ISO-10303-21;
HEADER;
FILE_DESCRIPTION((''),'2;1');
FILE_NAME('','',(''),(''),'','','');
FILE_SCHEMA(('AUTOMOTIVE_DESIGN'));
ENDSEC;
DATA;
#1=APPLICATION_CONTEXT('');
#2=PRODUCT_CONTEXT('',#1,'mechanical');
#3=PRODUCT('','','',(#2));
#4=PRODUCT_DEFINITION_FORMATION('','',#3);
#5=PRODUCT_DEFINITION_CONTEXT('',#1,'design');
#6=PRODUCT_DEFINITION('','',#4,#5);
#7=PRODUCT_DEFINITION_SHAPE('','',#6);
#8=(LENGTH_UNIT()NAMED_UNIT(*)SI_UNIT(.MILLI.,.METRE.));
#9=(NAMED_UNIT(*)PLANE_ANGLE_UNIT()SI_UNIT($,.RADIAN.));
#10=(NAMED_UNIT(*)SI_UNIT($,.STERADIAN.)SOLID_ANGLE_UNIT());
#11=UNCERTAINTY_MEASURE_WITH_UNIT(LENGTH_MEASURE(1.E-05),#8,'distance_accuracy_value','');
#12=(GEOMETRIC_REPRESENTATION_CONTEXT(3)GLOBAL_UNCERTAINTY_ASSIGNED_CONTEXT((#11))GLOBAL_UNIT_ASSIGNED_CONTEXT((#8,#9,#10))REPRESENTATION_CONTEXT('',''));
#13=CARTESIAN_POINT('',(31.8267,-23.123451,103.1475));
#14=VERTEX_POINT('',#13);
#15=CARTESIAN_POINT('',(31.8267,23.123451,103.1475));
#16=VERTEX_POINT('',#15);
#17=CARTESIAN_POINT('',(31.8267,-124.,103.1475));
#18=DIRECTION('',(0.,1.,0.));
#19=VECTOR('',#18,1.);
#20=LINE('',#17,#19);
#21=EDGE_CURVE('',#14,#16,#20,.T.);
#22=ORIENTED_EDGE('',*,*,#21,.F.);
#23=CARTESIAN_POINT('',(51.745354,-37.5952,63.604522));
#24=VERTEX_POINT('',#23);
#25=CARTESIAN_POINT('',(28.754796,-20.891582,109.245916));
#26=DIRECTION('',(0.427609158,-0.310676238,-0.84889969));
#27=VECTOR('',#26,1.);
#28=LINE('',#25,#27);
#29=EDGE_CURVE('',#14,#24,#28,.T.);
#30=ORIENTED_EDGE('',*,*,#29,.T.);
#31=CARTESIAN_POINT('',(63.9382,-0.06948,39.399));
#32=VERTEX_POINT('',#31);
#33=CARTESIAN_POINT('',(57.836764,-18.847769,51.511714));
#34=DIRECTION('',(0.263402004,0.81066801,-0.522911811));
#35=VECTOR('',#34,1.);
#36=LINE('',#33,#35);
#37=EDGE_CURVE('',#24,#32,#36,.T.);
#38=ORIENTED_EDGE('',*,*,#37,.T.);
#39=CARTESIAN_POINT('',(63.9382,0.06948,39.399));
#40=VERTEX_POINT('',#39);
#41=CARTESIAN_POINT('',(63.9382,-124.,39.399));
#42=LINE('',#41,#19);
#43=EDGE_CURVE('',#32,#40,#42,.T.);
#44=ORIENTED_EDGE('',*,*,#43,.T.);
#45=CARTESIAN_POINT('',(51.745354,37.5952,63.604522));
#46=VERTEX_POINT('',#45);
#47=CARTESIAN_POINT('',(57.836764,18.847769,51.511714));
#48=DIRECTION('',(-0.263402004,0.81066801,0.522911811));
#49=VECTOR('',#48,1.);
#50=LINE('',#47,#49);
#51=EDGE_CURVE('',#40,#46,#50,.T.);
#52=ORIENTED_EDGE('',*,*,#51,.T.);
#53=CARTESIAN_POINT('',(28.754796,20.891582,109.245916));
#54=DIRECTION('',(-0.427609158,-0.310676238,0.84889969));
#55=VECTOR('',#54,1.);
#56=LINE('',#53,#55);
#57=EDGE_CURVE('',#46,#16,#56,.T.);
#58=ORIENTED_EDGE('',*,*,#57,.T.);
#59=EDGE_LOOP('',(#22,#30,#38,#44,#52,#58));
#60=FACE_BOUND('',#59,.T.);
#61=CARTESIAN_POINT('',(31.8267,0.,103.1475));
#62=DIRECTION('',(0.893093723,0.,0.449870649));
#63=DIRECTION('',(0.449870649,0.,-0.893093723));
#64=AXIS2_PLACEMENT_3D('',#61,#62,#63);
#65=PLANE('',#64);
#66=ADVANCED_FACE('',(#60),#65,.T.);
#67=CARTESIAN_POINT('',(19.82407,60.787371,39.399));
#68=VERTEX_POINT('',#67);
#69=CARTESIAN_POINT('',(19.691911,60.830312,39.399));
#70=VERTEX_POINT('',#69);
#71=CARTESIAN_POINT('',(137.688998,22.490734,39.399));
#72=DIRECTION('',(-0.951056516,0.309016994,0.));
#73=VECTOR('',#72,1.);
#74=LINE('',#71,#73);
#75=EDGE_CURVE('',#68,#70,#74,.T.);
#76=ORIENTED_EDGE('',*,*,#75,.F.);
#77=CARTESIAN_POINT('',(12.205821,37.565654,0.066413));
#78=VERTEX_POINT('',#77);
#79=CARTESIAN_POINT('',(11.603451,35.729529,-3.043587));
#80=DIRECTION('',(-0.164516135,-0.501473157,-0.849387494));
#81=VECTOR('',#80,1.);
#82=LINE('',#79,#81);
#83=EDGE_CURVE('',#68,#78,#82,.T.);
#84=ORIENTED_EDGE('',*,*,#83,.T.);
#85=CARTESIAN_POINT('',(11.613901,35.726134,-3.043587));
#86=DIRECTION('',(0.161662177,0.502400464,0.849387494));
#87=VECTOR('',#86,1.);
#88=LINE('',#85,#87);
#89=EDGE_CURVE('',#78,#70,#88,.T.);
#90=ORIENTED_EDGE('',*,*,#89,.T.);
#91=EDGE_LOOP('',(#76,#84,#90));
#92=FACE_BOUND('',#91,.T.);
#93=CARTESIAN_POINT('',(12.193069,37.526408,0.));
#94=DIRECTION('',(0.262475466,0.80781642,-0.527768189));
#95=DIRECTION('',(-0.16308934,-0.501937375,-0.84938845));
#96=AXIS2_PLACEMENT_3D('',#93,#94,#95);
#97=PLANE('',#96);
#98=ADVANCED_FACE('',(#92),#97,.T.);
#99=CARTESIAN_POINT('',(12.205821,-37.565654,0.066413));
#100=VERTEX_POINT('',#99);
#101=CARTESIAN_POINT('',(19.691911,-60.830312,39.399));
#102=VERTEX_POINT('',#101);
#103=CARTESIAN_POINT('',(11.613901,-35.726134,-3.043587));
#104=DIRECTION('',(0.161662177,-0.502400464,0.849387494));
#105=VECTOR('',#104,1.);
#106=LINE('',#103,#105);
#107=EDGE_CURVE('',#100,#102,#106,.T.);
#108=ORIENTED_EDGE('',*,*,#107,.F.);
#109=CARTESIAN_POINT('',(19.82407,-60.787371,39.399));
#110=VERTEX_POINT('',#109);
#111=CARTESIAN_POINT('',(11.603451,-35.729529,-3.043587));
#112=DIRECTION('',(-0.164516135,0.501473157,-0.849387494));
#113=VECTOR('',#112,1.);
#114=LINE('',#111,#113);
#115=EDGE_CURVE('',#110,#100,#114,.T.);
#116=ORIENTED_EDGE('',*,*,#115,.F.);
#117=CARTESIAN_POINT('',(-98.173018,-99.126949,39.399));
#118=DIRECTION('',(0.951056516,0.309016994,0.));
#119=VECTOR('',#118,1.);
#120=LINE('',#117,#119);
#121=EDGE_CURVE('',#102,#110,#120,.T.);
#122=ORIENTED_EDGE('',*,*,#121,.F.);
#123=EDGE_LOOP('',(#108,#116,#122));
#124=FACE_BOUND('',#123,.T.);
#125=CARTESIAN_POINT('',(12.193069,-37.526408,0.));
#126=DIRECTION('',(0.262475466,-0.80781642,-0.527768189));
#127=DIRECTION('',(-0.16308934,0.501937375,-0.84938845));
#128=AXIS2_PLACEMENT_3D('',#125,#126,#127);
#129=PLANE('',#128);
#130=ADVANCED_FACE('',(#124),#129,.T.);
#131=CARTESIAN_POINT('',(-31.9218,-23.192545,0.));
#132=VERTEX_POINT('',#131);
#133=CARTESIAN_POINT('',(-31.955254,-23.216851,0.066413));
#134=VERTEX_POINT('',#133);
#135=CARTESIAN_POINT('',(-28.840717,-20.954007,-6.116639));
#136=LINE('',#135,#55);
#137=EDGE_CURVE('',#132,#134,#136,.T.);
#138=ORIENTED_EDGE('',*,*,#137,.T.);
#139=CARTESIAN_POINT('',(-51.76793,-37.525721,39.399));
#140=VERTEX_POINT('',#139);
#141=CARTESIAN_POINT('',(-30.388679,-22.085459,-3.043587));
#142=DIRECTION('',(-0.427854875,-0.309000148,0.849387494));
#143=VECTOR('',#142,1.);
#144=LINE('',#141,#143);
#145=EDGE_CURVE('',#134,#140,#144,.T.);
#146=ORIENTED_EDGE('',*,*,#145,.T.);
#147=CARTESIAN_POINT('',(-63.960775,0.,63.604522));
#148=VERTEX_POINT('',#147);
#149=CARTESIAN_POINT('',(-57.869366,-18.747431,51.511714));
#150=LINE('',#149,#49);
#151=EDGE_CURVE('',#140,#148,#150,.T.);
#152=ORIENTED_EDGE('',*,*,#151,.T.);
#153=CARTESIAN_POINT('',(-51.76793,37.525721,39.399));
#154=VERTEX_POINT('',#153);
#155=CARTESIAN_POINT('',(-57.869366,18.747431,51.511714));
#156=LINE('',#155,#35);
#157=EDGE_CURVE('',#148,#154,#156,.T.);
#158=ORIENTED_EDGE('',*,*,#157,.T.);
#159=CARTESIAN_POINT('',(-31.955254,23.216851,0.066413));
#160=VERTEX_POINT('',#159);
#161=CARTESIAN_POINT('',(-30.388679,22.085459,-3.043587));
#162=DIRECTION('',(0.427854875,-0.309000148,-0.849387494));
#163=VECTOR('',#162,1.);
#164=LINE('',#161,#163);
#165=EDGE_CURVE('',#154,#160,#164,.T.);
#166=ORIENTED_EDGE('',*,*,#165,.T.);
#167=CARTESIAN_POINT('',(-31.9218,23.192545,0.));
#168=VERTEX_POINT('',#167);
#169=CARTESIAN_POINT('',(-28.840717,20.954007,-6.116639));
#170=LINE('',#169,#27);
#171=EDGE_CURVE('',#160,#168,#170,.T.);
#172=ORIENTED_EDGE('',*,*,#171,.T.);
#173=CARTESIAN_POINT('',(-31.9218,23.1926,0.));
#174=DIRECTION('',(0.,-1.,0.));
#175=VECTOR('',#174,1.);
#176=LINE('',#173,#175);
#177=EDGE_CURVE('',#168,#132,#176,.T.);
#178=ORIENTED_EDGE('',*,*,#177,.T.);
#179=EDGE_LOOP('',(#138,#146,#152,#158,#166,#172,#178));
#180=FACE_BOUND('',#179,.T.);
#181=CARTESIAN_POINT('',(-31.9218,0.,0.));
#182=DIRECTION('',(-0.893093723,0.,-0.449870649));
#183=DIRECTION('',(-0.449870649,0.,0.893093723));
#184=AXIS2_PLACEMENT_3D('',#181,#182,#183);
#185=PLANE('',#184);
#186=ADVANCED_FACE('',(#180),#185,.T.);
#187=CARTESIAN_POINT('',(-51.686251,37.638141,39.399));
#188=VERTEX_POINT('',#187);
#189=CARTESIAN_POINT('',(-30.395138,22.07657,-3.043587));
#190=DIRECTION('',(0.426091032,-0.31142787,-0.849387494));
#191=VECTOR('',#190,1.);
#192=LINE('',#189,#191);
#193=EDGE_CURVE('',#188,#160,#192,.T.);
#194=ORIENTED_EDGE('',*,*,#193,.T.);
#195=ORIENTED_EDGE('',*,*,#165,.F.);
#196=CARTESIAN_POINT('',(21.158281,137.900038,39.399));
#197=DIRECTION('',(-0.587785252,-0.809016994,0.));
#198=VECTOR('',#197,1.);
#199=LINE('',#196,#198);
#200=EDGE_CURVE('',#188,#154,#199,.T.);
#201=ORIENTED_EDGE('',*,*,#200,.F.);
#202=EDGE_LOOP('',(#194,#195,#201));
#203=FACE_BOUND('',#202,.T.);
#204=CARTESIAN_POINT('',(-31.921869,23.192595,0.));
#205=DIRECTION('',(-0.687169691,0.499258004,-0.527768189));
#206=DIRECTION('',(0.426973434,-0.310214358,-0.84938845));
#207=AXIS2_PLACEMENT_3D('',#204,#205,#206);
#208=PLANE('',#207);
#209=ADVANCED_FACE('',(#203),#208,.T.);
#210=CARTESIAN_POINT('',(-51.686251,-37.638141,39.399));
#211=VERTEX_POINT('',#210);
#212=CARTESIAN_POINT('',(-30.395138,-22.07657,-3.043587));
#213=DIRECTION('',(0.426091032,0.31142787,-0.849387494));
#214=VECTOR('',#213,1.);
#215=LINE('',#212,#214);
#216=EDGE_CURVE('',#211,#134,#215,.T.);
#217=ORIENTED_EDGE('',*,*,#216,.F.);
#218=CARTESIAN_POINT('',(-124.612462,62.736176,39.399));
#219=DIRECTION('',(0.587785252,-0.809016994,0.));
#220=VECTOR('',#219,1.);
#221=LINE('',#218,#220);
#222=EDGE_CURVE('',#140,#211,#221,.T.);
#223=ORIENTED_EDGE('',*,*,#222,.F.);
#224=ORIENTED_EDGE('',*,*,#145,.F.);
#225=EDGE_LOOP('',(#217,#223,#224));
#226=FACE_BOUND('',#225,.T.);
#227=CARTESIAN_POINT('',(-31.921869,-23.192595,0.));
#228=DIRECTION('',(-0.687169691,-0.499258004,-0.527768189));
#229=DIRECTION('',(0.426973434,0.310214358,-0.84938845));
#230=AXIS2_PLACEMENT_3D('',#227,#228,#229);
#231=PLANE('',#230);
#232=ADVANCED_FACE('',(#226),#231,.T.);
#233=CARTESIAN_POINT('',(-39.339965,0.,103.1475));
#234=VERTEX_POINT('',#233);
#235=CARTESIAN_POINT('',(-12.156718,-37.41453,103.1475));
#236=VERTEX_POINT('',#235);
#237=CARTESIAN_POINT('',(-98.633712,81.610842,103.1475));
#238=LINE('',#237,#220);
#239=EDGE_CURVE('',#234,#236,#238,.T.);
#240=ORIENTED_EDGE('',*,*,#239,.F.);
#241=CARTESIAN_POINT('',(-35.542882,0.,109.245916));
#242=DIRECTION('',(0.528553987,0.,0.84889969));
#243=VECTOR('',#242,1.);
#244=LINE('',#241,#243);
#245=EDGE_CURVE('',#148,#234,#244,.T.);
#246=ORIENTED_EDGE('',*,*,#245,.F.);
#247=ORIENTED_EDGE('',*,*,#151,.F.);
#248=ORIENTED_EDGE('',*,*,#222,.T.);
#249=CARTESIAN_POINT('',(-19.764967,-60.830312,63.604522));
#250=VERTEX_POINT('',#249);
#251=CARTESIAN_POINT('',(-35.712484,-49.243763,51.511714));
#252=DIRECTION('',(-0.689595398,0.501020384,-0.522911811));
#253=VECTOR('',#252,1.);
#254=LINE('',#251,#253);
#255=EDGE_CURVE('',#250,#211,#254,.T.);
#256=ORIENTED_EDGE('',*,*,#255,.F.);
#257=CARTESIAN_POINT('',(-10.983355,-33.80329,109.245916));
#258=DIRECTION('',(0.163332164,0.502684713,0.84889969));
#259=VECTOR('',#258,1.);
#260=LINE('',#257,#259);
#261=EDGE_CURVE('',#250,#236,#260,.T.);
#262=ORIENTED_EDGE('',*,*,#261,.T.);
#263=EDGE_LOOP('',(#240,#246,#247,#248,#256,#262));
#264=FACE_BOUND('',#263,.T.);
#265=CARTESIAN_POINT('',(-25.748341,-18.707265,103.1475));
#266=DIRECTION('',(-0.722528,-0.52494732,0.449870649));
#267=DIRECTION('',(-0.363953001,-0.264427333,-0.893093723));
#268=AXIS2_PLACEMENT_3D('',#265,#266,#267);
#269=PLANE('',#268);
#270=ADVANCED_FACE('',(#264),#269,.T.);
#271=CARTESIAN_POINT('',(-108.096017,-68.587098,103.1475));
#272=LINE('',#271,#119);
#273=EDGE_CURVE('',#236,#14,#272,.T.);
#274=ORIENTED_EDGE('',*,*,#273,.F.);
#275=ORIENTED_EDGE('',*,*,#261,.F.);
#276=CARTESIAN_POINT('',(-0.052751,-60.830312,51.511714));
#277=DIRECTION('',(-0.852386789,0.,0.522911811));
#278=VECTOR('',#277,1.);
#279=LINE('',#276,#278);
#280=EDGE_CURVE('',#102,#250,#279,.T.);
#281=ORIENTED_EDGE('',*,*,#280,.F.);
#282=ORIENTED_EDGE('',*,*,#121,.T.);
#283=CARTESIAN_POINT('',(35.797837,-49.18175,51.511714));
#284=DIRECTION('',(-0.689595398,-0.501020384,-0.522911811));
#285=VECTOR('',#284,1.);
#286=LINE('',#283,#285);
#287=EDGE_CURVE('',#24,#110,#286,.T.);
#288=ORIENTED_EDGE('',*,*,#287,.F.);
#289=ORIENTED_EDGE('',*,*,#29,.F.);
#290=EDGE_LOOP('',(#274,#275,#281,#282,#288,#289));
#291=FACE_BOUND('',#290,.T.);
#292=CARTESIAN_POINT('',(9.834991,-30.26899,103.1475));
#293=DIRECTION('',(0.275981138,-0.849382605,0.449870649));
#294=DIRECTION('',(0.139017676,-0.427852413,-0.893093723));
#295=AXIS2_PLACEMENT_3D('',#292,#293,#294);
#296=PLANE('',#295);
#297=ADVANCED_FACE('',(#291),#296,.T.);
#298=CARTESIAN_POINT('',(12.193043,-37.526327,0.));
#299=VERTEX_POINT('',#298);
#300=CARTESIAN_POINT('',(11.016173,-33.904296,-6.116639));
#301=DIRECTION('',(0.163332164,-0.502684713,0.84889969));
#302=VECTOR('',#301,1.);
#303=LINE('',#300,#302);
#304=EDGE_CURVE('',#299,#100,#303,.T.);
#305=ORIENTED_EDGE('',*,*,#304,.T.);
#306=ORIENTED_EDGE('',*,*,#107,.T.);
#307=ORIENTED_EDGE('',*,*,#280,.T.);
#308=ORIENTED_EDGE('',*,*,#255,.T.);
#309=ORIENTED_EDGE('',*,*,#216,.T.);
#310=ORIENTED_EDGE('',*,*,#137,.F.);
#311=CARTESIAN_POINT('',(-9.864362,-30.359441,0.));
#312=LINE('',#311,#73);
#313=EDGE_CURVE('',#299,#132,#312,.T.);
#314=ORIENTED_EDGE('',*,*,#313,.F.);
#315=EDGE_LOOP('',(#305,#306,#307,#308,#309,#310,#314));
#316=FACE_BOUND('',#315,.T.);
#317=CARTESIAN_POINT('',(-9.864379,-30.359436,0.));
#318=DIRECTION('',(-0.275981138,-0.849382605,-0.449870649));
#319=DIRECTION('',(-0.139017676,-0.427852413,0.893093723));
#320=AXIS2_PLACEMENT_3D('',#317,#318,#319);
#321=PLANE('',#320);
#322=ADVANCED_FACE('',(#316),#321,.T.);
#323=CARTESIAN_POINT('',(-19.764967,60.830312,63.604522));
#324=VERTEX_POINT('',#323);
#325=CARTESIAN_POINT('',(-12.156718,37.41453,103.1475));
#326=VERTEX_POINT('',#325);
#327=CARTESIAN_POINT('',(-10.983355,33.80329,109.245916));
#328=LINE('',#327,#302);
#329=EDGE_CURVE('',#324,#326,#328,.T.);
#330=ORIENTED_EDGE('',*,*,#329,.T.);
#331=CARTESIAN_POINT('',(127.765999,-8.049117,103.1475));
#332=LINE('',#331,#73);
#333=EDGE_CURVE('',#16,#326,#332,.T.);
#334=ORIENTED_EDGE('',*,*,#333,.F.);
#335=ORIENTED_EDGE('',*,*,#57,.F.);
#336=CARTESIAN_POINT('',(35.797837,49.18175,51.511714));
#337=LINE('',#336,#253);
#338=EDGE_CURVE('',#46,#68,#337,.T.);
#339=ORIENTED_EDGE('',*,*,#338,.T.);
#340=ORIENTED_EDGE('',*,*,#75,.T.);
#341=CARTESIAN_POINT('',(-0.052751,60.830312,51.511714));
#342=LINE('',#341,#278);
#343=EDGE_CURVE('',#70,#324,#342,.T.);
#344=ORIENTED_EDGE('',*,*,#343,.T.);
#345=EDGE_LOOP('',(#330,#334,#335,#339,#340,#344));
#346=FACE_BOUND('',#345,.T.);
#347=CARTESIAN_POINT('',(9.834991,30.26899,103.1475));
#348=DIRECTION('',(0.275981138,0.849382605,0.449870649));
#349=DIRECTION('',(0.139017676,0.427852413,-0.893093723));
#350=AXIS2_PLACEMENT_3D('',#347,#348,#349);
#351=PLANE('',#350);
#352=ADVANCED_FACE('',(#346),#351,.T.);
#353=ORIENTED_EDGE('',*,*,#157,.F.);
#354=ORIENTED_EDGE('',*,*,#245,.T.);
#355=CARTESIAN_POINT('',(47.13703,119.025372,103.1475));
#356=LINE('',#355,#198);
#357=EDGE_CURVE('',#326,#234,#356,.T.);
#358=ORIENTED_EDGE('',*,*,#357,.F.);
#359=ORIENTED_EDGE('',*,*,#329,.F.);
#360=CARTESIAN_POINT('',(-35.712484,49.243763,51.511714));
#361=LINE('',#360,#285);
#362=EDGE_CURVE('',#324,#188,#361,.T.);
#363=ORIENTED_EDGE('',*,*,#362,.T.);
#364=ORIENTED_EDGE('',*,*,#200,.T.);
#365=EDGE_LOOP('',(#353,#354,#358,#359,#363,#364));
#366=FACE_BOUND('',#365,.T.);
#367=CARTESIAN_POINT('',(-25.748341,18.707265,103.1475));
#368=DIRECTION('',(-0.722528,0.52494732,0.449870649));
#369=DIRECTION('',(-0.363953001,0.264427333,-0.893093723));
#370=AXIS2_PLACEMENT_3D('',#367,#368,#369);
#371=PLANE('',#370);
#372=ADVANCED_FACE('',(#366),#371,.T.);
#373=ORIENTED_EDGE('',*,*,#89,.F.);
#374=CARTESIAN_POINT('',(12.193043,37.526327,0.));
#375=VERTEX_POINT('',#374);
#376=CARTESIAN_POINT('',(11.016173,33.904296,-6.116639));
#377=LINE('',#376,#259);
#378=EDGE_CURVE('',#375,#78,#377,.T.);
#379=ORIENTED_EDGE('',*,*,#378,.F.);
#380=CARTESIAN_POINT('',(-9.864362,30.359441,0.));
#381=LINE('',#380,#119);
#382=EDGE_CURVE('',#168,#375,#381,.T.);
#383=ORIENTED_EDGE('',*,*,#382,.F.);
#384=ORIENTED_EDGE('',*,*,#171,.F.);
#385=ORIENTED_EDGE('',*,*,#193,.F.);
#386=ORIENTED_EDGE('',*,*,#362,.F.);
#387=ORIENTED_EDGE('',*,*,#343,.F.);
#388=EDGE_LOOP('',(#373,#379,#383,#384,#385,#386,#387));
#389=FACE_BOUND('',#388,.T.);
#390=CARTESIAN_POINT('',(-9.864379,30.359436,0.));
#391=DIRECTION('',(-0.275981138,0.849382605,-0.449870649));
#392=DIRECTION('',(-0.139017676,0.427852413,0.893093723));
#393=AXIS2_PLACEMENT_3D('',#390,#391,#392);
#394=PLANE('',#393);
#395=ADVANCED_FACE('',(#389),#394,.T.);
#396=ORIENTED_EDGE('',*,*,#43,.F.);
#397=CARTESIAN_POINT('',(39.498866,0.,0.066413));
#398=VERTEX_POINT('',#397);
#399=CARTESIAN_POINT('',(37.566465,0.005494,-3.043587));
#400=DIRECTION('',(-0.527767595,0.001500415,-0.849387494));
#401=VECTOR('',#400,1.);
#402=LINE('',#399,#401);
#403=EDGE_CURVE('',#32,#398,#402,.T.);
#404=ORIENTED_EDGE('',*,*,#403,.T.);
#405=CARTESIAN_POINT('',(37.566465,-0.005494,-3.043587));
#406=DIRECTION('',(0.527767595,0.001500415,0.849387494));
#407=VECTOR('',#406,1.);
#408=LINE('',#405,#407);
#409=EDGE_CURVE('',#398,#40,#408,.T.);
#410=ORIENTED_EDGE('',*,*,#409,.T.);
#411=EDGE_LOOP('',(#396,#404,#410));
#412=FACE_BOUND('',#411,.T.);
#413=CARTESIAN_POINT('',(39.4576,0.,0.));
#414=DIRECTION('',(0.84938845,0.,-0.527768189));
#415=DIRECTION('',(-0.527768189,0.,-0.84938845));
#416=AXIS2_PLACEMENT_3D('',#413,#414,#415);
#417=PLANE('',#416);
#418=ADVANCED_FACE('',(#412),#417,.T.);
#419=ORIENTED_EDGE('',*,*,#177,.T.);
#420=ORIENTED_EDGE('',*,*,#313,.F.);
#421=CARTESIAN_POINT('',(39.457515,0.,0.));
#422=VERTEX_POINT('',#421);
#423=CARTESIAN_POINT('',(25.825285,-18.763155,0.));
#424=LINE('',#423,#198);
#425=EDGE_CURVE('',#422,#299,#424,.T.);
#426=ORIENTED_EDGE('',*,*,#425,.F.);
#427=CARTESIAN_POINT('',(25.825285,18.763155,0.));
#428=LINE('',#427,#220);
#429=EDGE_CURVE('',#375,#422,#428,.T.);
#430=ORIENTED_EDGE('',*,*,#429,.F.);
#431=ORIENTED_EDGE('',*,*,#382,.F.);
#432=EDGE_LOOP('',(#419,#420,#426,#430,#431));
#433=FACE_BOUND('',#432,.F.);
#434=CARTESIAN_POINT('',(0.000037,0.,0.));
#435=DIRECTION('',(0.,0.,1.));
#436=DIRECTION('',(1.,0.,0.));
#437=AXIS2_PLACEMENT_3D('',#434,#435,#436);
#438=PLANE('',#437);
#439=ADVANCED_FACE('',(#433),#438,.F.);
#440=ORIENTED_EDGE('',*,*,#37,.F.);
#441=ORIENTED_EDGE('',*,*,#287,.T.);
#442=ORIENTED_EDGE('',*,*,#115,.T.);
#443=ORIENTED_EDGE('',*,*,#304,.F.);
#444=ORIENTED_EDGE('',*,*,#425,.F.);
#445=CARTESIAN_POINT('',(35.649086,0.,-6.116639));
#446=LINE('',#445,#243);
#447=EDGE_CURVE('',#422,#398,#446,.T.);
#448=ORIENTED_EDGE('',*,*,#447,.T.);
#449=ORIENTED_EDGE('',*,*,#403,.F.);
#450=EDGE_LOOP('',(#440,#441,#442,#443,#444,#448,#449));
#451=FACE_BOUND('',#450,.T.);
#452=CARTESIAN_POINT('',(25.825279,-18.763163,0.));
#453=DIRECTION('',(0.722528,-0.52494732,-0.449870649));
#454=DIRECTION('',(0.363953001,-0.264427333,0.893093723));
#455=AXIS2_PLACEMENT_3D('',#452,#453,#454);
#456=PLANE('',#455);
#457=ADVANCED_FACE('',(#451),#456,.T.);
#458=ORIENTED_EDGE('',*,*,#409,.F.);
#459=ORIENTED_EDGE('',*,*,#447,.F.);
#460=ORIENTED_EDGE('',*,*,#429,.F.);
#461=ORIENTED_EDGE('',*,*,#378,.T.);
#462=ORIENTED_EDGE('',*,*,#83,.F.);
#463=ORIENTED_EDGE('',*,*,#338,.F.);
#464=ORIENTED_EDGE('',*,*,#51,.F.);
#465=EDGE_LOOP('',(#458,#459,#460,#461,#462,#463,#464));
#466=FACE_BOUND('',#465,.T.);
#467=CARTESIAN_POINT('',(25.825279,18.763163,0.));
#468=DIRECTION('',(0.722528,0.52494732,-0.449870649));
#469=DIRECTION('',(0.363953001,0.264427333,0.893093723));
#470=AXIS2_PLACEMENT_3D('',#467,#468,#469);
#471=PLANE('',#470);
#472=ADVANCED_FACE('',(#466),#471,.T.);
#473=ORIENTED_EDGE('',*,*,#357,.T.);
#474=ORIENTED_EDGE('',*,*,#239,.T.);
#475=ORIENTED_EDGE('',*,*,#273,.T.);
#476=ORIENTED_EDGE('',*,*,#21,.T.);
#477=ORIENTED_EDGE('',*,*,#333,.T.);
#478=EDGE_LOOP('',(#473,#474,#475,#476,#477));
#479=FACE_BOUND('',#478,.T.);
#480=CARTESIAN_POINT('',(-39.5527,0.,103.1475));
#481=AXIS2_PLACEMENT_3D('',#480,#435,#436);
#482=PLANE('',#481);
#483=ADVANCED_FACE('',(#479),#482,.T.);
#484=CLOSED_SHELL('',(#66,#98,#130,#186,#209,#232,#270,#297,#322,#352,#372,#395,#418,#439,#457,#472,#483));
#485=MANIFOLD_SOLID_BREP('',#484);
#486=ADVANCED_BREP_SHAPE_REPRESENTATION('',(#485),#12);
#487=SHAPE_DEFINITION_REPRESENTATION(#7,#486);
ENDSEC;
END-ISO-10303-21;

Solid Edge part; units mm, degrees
sketch "Sketch1" plane through (0, 0, 0) normal (0, -1, 0) x (1, 0, 0)
  line L0 (0, 116.4301) -> (0, -14.6322)
  arc A0 (0, 116.43) -> (0, -14.6322) centre (0, 50.8989) cw
revolve "RevolvedProtrusion1" add sketch "Sketch1" angle 360 about axis through (0, 0, 116.4301) along (0, 0, -1)
sketch "Sketch2" plane through (0, 0, 0) normal (0, -1, 0) x (1, 0, 0)
  line L0 (63.9382, 39.399) -> (39.4576, 0)
  line L1 (31.8267, 103.1475) -> (63.9382, 39.399)
  line L2 (-39.5527, 103.1475) -> (31.8267, 103.1475)
  line L3 (-64.0333, 63.7485) -> (-39.5527, 103.1475)
  line L4 (-31.9218, 0) -> (-64.0333, 63.7485)
extrude "Cutout1" cut sketch "Sketch2" along normal mid plane 248 material side at (51.7404, 0, 19.6731)
pattern_circular "Pattern1" count 5 over 360 about axis through (0, 0, 103.1475) along (0, 0, 1) of "Cutout1"
sketch "Sketch3" plane through (0, 0, 0) normal (0, 0, 1) x (1, 0, 0)
  line L0 (-31.9218, -23.1926) -> (12.1931, -37.5264)
  line L1 (12.1931, -37.5264) -> (39.4576, 0)
  line L2 (39.4576, 0) -> (12.1931, 37.5264)
  line L3 (12.1931, 37.5264) -> (-31.9218, 23.1926)
  line L4 (-31.9218, 23.1926) -> (-31.9218, -23.1926)
extrude "ExtrudedCutout_7" cut sketch "Sketch3" against normal blind 58
